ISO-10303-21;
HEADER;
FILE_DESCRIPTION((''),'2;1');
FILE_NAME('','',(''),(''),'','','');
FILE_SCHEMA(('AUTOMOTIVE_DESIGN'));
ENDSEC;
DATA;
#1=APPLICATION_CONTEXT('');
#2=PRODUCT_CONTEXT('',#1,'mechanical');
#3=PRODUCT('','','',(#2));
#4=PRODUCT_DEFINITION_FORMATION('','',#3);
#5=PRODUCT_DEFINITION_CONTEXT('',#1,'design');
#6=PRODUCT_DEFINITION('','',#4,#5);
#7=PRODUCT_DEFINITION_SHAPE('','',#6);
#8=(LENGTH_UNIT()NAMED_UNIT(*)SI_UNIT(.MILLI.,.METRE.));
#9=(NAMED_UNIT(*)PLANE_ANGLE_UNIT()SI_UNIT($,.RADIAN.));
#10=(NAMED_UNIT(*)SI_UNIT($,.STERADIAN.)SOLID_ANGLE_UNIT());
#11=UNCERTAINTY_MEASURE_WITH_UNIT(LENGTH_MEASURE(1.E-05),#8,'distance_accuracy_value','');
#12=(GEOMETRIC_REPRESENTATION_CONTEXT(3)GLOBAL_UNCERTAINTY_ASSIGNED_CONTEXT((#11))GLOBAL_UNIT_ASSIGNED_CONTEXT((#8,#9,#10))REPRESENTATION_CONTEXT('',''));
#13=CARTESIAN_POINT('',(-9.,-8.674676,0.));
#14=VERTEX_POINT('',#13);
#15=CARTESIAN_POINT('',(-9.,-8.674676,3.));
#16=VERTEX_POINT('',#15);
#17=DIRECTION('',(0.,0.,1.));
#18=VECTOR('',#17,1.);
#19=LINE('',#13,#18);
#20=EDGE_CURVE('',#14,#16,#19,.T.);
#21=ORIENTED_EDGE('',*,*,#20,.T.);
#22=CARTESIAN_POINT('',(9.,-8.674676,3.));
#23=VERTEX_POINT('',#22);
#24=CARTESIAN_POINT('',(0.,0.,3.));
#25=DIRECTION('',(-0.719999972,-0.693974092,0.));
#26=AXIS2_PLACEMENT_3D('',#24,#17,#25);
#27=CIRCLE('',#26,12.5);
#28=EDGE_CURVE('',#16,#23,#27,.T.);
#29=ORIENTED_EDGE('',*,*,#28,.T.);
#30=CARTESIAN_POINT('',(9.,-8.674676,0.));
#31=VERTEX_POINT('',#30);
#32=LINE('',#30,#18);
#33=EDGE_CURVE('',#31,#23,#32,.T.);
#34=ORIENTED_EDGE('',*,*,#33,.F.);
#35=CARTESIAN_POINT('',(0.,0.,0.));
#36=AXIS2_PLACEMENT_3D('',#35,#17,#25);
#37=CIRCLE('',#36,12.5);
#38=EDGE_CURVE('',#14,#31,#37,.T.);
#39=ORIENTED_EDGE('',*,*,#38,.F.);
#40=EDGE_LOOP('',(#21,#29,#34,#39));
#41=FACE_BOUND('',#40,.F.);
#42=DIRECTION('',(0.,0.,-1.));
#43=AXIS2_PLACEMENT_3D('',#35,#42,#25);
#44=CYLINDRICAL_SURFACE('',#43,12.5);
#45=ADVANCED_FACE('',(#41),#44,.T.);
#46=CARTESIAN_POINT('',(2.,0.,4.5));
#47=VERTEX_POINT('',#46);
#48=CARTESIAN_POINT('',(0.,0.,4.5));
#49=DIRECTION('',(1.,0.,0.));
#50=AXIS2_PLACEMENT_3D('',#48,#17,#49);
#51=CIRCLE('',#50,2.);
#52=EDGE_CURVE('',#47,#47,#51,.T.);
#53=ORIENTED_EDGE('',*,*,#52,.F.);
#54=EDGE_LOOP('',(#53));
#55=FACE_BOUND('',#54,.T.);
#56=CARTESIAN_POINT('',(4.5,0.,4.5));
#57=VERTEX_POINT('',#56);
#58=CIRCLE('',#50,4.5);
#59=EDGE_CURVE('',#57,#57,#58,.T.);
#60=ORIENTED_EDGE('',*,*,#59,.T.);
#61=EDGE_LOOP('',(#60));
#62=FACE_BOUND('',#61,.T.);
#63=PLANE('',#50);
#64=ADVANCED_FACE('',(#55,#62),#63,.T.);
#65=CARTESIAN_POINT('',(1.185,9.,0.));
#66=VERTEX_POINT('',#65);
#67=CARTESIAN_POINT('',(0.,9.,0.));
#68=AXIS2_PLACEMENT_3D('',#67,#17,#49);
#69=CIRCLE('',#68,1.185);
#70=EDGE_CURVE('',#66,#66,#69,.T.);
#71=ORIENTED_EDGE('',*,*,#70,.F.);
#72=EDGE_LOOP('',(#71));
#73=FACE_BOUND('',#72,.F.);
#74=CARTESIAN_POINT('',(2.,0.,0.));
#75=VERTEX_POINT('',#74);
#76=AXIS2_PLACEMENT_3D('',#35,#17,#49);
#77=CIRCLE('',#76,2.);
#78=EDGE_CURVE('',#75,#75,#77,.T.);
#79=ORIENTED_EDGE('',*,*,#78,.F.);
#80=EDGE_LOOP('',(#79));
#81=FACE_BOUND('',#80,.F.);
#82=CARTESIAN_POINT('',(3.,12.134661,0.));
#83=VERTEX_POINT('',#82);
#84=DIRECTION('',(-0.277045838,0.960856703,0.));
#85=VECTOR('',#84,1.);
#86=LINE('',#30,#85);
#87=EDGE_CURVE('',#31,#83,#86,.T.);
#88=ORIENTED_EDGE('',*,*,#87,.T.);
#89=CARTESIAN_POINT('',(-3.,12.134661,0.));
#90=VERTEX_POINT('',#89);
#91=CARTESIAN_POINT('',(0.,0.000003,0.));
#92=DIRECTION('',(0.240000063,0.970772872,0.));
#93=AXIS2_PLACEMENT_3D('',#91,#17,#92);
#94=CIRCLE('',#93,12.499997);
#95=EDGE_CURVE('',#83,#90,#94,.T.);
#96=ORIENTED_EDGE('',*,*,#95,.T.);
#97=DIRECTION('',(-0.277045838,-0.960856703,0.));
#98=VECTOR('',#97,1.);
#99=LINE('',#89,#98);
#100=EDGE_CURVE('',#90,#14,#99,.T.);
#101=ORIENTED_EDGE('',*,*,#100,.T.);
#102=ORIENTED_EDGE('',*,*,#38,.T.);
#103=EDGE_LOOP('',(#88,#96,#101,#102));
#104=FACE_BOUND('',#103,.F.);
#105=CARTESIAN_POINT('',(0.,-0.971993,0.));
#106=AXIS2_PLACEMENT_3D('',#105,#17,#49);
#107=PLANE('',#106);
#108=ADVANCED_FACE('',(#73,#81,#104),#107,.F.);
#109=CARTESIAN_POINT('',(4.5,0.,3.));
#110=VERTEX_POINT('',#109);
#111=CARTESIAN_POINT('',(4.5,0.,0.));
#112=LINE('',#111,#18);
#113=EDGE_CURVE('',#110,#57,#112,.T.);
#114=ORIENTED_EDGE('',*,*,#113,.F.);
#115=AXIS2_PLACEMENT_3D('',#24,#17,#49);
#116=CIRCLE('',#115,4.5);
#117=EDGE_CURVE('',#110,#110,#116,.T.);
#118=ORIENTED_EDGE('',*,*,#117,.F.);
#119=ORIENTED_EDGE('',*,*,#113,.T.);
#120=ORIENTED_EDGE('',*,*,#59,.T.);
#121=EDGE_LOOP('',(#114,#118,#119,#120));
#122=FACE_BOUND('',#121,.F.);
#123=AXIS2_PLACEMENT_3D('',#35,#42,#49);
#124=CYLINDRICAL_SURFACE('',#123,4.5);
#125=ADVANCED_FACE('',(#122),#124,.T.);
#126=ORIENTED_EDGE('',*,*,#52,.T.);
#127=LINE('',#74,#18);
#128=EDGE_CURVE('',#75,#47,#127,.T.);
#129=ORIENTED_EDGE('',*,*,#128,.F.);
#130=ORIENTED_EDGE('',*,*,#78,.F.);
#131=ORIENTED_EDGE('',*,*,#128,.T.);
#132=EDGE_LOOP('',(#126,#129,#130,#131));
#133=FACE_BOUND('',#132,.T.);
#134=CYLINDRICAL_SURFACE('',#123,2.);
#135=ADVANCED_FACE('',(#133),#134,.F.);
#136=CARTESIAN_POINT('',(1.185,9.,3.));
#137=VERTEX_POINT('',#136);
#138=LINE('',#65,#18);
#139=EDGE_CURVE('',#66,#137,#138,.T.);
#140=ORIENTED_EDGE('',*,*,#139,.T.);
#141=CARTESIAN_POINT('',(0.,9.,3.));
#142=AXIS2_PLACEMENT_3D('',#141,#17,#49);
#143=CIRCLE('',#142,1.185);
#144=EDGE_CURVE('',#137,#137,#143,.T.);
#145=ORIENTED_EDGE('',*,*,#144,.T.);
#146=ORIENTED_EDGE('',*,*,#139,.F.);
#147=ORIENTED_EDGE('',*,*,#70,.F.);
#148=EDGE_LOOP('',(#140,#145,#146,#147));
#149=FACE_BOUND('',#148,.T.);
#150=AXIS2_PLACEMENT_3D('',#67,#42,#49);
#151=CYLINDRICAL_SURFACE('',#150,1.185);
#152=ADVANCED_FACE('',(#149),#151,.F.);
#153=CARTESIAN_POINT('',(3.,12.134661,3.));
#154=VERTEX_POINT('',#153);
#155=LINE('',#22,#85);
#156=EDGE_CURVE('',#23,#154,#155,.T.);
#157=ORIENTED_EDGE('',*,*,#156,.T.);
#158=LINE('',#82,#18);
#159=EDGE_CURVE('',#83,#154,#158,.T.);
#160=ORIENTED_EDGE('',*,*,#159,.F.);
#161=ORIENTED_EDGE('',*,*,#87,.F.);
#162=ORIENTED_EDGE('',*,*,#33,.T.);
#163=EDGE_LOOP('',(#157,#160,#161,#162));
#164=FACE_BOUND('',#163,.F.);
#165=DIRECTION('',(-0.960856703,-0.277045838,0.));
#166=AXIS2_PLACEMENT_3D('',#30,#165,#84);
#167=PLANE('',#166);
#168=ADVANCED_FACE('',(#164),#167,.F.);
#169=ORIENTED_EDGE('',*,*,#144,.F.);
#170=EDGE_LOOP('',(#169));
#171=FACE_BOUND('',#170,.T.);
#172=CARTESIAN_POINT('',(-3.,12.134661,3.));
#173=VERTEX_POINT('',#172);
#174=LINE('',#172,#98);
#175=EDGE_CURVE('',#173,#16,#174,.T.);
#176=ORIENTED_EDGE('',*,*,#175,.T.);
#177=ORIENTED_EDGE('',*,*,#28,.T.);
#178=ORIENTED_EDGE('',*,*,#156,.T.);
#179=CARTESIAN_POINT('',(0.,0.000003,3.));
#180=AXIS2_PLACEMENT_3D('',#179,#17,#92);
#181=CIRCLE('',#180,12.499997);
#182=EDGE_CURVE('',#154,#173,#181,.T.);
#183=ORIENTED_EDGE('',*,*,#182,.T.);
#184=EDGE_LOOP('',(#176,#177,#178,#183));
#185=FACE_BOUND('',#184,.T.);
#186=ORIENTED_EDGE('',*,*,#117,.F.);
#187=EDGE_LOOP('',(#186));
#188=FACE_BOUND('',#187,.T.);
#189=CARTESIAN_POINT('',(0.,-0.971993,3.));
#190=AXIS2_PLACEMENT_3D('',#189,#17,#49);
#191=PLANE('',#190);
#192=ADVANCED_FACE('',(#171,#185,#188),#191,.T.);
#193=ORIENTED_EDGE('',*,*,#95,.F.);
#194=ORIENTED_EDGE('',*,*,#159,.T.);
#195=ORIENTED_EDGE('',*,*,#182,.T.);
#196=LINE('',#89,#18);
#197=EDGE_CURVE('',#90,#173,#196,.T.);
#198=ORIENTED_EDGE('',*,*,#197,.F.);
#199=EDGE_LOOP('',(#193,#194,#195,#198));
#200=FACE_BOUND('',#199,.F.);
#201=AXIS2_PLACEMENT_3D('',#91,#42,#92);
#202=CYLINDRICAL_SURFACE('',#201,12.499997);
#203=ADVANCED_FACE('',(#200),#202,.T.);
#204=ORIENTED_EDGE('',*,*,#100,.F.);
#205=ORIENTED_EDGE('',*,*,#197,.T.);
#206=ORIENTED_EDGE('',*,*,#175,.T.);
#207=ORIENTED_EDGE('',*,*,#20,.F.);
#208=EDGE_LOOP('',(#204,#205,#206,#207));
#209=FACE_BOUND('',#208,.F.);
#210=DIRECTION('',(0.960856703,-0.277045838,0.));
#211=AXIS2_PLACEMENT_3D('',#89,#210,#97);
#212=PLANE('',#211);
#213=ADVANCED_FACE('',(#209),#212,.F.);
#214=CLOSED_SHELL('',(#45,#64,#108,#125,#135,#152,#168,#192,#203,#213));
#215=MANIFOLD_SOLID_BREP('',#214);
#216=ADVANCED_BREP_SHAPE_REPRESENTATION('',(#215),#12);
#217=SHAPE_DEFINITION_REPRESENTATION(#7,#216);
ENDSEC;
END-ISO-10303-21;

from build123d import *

# Parameters (mm, degrees)
F0_R     = 4.5
F0_R_2   = 2
F1_DEPTH = 4.5
F0_R_3   = 1.185
F2_DEPTH = 3


with BuildPart() as f1:
    # F0 (on Top) → F1 (new body)
    with BuildSketch(Plane.XY):
        Circle(F0_R)
        Circle(F0_R_2, mode=Mode.SUBTRACT)
    extrude(amount=F1_DEPTH)

    # F0 (on Top) → F2 (join)
    with BuildSketch(Plane.XY):
        with BuildLine():
            Line((-3, 12.134661), (-9, -8.674676))
            ThreePointArc((-9, -8.674676), (0, -12.5), (9, -8.674676))
            Line((9, -8.674676), (3, 12.134661))
            ThreePointArc((3, 12.134661), (0, 12.5), (-3, 12.134661))
        make_face()
        Circle(F0_R, mode=Mode.SUBTRACT)
        with Locations((0, 9)):
            Circle(F0_R_3, mode=Mode.SUBTRACT)
    extrude(amount=F2_DEPTH)


solid = f1.part
